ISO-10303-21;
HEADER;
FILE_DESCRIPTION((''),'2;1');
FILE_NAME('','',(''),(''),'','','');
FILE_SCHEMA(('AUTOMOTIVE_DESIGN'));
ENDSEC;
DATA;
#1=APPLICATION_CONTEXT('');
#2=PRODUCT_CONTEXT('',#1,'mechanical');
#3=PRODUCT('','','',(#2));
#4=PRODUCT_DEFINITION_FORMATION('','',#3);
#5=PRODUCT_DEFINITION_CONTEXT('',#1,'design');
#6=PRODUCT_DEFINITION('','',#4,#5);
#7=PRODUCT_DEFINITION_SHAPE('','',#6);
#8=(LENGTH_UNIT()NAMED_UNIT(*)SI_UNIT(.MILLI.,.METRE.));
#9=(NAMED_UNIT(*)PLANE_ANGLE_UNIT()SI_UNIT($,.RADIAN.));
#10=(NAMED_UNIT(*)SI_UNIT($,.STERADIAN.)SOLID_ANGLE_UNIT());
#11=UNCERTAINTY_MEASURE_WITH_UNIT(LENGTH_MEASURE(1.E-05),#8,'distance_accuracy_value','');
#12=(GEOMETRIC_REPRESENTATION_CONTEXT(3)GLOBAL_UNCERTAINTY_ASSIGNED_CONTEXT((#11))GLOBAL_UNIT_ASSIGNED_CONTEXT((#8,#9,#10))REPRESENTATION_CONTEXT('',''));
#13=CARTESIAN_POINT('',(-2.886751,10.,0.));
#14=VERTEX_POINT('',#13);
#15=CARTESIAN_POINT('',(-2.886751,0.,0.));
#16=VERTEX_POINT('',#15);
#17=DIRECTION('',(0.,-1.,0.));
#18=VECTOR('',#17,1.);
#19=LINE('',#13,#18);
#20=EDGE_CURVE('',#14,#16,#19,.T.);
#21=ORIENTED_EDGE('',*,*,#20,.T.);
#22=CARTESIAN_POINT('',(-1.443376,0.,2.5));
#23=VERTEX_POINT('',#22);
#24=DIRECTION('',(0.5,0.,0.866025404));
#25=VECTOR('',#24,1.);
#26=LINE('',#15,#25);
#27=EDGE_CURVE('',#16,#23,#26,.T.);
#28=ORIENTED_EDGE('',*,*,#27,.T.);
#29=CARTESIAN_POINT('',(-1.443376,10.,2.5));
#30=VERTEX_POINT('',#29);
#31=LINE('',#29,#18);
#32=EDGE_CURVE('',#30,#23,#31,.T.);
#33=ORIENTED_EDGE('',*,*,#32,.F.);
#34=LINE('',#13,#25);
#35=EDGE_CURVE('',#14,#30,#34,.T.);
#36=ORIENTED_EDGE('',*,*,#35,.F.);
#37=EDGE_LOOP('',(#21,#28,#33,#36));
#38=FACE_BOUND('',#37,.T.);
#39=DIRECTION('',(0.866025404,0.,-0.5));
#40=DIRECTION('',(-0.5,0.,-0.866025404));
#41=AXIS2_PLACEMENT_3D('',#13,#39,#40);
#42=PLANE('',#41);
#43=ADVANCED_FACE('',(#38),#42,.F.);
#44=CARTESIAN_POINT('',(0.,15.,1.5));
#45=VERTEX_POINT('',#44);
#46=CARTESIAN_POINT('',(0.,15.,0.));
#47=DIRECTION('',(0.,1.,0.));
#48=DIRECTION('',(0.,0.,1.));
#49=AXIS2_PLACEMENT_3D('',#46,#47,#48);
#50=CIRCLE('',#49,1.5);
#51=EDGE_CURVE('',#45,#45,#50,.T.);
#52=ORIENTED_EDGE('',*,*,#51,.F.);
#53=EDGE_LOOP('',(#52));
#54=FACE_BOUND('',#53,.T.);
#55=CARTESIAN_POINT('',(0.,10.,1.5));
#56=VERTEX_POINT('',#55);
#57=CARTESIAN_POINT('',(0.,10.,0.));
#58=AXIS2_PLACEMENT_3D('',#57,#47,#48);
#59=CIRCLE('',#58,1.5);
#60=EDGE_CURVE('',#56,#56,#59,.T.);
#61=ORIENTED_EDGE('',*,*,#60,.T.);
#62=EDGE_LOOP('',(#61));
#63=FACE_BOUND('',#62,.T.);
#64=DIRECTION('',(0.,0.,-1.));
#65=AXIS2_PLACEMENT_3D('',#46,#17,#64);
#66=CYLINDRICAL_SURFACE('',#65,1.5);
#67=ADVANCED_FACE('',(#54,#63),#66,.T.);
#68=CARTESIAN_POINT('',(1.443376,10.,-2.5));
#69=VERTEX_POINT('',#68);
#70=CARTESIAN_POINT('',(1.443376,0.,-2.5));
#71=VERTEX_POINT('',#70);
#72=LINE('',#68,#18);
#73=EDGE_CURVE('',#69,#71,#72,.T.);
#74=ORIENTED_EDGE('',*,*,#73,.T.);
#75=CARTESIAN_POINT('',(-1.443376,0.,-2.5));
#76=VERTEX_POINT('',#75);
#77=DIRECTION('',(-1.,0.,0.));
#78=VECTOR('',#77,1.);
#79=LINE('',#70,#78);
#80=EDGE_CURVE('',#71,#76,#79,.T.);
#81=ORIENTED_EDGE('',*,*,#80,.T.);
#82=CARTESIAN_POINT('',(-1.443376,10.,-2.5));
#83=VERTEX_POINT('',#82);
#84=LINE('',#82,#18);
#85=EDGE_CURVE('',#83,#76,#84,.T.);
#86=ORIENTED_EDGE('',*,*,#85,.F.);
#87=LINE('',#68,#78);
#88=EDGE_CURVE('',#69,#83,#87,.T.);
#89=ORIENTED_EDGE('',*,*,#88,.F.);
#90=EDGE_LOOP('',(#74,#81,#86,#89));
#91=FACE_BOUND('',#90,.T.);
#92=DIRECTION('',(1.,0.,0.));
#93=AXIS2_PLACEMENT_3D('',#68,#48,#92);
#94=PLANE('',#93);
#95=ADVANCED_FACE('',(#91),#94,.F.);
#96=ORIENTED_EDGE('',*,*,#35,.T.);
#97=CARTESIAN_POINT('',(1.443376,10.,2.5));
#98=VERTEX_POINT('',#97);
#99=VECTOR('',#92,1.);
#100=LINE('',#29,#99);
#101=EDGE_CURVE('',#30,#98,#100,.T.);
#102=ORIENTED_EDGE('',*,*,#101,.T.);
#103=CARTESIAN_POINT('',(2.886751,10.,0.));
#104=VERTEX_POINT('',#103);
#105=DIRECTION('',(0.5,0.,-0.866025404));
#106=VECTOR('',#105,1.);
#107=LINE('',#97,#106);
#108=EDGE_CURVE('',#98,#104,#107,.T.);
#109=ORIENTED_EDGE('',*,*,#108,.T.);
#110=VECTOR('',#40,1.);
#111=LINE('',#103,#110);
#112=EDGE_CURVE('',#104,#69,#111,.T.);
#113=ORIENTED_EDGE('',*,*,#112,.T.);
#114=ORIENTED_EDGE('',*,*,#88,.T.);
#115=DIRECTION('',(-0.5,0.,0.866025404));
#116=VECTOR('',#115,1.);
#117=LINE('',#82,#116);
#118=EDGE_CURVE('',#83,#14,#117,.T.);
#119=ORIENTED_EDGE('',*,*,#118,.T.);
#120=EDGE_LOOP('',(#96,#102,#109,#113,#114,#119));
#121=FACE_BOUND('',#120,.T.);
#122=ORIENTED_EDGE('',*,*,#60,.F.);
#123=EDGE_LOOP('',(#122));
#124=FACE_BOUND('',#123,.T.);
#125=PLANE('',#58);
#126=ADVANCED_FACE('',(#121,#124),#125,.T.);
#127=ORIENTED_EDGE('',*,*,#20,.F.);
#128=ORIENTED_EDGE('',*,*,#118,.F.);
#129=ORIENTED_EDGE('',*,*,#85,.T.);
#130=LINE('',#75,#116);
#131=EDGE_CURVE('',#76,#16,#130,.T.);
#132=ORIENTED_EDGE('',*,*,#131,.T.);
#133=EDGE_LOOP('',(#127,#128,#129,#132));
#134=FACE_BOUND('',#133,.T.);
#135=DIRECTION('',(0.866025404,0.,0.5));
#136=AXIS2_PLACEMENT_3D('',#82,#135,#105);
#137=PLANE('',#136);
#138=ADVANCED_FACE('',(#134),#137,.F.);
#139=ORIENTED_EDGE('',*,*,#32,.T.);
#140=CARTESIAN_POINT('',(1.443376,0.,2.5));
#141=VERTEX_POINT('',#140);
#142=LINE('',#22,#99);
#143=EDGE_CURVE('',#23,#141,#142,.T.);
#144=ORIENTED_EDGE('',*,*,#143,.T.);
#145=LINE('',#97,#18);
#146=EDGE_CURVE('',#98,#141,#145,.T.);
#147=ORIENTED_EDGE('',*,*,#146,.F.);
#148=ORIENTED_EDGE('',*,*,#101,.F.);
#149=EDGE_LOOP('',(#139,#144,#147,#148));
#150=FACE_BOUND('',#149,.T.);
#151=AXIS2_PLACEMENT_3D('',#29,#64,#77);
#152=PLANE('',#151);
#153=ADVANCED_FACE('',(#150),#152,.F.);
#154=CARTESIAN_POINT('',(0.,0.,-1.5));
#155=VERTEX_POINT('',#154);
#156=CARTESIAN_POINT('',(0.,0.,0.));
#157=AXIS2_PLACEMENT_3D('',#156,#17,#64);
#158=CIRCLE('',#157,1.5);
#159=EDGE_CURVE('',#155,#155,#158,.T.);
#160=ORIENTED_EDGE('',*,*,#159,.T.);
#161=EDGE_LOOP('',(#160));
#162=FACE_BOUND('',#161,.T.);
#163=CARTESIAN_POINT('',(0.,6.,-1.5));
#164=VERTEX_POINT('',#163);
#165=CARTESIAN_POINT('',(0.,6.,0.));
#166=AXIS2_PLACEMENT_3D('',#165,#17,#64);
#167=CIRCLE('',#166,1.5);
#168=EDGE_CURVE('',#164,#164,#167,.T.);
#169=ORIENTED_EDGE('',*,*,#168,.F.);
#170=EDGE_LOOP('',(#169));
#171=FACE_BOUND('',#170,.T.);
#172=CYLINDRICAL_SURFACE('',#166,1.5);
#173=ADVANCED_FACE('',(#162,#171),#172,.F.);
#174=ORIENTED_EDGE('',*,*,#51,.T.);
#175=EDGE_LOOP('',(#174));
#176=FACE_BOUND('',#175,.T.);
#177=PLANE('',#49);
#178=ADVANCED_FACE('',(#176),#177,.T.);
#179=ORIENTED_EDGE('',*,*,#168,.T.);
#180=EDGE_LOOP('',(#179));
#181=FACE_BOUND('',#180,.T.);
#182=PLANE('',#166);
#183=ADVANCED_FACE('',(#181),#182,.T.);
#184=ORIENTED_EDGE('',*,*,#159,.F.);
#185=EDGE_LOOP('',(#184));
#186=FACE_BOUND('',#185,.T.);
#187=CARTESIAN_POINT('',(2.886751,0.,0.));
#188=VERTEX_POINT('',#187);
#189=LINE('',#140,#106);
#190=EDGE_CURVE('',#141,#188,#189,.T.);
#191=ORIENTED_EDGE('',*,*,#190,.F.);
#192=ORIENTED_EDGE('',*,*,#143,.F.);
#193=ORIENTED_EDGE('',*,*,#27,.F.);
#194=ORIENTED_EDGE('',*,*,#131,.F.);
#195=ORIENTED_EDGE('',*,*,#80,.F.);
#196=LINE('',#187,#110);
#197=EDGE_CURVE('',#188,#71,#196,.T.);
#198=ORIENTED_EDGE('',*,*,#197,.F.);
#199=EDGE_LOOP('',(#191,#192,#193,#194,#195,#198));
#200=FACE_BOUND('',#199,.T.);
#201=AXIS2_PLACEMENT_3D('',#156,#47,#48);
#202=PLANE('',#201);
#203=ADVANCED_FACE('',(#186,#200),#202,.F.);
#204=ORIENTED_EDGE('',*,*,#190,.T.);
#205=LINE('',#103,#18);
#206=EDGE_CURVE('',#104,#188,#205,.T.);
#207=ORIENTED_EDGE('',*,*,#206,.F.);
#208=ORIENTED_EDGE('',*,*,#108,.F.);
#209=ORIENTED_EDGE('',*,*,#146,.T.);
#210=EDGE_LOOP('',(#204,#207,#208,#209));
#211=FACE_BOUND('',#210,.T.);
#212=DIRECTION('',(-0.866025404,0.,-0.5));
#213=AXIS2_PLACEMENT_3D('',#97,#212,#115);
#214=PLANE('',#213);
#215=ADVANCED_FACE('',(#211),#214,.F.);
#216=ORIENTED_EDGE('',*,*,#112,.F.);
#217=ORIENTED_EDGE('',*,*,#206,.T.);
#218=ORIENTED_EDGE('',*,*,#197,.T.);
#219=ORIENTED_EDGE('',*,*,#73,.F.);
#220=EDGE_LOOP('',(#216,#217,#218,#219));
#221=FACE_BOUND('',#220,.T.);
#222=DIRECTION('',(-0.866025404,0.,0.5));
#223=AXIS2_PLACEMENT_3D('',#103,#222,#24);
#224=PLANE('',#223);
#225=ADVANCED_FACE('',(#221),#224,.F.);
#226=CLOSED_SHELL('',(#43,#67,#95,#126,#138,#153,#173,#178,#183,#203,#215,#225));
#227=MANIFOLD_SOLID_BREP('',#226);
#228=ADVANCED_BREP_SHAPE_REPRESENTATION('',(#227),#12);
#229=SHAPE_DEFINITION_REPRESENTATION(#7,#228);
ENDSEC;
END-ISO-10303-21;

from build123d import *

# Parameters (mm, degrees)
EXTRUDE_1_DEPTH     = 10
SKETCH_2_R          = 1.5
EXTRUDE_2_DEPTH     = 5
SKETCH_3_R          = 1.5
CUT_EXTRUDE_1_DEPTH = 6


with BuildPart() as part:
    # 스케치1 → 보스-돌출1 (new body)
    with BuildSketch(Plane(origin=(0, 0, 0), x_dir=(1, 0, 0), z_dir=(0, 1, 0))):
        Polygon((-1.443375673, -2.5), (1.443375673, -2.5), (2.886751346, 0), (1.443375673, 2.5), (-1.443375673, 2.5), (-2.886751346, 0), align=None)
    extrude(amount=EXTRUDE_1_DEPTH)

    # 스케치2 → 보스-돌출2 (add)
    with BuildSketch(Plane(origin=(0, 10, 0), x_dir=(1, 0, 0), z_dir=(0, 1, 0))):
        with Locations(Location((0, 0, 0), (0, 0, 270))):
            Circle(SKETCH_2_R)
    extrude(amount=EXTRUDE_2_DEPTH)

    # 스케치3 → 컷-돌출1 (cut)
    with BuildSketch(Plane.XZ):
        with Locations(Location((0, 0, 0), (0, 0, 90))):
            Circle(SKETCH_3_R)
    extrude(amount=-CUT_EXTRUDE_1_DEPTH, mode=Mode.SUBTRACT)


solid = part.part
